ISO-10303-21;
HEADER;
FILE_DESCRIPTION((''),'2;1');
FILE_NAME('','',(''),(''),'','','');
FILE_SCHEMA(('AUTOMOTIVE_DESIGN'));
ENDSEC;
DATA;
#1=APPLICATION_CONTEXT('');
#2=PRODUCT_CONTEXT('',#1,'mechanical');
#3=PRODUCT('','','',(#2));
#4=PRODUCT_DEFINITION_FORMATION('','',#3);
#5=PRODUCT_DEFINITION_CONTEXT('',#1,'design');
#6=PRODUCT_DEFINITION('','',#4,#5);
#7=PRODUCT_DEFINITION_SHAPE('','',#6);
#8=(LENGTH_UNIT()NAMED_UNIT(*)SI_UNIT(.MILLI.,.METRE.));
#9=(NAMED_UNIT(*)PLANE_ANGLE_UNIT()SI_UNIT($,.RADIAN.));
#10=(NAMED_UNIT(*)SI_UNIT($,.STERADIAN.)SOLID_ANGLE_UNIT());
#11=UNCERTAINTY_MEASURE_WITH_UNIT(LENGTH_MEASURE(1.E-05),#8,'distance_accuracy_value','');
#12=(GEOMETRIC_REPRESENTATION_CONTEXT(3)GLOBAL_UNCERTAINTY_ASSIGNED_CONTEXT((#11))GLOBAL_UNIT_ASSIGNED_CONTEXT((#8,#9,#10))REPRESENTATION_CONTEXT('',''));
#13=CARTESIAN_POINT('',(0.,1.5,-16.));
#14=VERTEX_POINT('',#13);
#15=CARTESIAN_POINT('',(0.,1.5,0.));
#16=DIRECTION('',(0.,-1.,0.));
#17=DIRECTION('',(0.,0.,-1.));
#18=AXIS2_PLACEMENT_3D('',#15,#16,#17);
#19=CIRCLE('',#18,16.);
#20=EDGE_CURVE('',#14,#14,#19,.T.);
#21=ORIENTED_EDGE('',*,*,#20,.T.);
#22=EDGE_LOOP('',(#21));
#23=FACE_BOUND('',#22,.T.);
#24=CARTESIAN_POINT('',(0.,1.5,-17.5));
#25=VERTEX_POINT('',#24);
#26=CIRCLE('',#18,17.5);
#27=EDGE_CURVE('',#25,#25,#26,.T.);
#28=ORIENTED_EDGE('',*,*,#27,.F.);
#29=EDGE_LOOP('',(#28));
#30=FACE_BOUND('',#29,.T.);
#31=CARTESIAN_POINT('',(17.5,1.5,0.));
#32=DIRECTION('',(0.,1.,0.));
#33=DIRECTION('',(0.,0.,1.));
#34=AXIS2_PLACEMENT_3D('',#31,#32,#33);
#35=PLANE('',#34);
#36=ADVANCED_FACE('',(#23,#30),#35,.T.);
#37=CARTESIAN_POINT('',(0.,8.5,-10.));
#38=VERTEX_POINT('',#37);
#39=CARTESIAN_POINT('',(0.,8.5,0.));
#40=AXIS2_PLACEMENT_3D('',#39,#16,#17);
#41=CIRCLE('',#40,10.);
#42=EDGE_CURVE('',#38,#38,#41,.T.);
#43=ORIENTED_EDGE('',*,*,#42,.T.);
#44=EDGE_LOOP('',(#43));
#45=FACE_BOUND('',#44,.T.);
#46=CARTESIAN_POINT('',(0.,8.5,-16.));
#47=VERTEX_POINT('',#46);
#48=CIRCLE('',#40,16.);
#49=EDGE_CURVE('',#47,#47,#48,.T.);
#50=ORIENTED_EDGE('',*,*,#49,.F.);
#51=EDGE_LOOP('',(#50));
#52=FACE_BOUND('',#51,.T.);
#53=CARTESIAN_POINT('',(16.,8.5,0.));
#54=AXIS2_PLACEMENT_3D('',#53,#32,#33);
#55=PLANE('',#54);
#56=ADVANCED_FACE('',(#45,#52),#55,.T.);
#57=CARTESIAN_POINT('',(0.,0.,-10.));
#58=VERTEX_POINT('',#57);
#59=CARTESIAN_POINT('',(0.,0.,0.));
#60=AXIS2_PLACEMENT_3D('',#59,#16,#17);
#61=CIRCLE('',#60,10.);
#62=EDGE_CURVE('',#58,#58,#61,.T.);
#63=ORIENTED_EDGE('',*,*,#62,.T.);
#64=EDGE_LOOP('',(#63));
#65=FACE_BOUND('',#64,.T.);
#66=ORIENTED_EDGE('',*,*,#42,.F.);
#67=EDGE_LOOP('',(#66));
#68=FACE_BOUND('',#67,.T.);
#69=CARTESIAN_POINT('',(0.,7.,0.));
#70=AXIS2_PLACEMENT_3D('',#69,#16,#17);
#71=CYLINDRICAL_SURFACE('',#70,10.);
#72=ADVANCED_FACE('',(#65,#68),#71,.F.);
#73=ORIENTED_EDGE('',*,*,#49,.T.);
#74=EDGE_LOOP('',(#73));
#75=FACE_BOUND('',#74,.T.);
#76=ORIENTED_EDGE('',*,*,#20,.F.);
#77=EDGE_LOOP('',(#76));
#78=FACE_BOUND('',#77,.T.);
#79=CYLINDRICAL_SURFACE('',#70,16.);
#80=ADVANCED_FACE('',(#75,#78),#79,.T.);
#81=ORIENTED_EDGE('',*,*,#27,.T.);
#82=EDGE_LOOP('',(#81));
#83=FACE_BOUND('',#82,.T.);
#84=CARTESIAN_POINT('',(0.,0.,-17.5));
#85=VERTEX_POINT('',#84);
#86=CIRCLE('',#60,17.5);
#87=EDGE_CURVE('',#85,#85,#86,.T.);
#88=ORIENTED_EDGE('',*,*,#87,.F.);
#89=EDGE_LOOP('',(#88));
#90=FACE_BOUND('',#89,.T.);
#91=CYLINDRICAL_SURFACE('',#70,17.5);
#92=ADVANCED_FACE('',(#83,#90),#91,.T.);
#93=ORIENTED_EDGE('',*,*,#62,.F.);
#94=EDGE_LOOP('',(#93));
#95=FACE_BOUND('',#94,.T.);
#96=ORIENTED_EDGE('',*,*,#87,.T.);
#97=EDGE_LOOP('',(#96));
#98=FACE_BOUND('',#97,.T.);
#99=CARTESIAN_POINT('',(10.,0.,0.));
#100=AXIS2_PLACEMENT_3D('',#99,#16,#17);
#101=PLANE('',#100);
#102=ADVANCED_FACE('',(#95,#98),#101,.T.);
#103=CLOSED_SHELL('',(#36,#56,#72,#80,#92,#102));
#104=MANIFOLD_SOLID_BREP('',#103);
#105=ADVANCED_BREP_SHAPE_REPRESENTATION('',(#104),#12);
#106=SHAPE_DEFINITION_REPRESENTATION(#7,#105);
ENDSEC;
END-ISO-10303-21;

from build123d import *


with BuildPart() as part:
    # 草图1 → 旋转1 (revolve)
    with BuildSketch(Plane.XY, mode=Mode.PRIVATE) as revolve_1_sk:
        Polygon((16, 1.5), (16, 8.5), (10, 8.5), (10, 0), (17.5, 0), (17.5, 1.5), align=None)
    revolve(revolve_1_sk.sketch.rotate(Axis((0, 7, 0), (0, -1, 0)), 270), axis=Axis((0, 7, 0), (0, -1, 0)))


solid = part.part
